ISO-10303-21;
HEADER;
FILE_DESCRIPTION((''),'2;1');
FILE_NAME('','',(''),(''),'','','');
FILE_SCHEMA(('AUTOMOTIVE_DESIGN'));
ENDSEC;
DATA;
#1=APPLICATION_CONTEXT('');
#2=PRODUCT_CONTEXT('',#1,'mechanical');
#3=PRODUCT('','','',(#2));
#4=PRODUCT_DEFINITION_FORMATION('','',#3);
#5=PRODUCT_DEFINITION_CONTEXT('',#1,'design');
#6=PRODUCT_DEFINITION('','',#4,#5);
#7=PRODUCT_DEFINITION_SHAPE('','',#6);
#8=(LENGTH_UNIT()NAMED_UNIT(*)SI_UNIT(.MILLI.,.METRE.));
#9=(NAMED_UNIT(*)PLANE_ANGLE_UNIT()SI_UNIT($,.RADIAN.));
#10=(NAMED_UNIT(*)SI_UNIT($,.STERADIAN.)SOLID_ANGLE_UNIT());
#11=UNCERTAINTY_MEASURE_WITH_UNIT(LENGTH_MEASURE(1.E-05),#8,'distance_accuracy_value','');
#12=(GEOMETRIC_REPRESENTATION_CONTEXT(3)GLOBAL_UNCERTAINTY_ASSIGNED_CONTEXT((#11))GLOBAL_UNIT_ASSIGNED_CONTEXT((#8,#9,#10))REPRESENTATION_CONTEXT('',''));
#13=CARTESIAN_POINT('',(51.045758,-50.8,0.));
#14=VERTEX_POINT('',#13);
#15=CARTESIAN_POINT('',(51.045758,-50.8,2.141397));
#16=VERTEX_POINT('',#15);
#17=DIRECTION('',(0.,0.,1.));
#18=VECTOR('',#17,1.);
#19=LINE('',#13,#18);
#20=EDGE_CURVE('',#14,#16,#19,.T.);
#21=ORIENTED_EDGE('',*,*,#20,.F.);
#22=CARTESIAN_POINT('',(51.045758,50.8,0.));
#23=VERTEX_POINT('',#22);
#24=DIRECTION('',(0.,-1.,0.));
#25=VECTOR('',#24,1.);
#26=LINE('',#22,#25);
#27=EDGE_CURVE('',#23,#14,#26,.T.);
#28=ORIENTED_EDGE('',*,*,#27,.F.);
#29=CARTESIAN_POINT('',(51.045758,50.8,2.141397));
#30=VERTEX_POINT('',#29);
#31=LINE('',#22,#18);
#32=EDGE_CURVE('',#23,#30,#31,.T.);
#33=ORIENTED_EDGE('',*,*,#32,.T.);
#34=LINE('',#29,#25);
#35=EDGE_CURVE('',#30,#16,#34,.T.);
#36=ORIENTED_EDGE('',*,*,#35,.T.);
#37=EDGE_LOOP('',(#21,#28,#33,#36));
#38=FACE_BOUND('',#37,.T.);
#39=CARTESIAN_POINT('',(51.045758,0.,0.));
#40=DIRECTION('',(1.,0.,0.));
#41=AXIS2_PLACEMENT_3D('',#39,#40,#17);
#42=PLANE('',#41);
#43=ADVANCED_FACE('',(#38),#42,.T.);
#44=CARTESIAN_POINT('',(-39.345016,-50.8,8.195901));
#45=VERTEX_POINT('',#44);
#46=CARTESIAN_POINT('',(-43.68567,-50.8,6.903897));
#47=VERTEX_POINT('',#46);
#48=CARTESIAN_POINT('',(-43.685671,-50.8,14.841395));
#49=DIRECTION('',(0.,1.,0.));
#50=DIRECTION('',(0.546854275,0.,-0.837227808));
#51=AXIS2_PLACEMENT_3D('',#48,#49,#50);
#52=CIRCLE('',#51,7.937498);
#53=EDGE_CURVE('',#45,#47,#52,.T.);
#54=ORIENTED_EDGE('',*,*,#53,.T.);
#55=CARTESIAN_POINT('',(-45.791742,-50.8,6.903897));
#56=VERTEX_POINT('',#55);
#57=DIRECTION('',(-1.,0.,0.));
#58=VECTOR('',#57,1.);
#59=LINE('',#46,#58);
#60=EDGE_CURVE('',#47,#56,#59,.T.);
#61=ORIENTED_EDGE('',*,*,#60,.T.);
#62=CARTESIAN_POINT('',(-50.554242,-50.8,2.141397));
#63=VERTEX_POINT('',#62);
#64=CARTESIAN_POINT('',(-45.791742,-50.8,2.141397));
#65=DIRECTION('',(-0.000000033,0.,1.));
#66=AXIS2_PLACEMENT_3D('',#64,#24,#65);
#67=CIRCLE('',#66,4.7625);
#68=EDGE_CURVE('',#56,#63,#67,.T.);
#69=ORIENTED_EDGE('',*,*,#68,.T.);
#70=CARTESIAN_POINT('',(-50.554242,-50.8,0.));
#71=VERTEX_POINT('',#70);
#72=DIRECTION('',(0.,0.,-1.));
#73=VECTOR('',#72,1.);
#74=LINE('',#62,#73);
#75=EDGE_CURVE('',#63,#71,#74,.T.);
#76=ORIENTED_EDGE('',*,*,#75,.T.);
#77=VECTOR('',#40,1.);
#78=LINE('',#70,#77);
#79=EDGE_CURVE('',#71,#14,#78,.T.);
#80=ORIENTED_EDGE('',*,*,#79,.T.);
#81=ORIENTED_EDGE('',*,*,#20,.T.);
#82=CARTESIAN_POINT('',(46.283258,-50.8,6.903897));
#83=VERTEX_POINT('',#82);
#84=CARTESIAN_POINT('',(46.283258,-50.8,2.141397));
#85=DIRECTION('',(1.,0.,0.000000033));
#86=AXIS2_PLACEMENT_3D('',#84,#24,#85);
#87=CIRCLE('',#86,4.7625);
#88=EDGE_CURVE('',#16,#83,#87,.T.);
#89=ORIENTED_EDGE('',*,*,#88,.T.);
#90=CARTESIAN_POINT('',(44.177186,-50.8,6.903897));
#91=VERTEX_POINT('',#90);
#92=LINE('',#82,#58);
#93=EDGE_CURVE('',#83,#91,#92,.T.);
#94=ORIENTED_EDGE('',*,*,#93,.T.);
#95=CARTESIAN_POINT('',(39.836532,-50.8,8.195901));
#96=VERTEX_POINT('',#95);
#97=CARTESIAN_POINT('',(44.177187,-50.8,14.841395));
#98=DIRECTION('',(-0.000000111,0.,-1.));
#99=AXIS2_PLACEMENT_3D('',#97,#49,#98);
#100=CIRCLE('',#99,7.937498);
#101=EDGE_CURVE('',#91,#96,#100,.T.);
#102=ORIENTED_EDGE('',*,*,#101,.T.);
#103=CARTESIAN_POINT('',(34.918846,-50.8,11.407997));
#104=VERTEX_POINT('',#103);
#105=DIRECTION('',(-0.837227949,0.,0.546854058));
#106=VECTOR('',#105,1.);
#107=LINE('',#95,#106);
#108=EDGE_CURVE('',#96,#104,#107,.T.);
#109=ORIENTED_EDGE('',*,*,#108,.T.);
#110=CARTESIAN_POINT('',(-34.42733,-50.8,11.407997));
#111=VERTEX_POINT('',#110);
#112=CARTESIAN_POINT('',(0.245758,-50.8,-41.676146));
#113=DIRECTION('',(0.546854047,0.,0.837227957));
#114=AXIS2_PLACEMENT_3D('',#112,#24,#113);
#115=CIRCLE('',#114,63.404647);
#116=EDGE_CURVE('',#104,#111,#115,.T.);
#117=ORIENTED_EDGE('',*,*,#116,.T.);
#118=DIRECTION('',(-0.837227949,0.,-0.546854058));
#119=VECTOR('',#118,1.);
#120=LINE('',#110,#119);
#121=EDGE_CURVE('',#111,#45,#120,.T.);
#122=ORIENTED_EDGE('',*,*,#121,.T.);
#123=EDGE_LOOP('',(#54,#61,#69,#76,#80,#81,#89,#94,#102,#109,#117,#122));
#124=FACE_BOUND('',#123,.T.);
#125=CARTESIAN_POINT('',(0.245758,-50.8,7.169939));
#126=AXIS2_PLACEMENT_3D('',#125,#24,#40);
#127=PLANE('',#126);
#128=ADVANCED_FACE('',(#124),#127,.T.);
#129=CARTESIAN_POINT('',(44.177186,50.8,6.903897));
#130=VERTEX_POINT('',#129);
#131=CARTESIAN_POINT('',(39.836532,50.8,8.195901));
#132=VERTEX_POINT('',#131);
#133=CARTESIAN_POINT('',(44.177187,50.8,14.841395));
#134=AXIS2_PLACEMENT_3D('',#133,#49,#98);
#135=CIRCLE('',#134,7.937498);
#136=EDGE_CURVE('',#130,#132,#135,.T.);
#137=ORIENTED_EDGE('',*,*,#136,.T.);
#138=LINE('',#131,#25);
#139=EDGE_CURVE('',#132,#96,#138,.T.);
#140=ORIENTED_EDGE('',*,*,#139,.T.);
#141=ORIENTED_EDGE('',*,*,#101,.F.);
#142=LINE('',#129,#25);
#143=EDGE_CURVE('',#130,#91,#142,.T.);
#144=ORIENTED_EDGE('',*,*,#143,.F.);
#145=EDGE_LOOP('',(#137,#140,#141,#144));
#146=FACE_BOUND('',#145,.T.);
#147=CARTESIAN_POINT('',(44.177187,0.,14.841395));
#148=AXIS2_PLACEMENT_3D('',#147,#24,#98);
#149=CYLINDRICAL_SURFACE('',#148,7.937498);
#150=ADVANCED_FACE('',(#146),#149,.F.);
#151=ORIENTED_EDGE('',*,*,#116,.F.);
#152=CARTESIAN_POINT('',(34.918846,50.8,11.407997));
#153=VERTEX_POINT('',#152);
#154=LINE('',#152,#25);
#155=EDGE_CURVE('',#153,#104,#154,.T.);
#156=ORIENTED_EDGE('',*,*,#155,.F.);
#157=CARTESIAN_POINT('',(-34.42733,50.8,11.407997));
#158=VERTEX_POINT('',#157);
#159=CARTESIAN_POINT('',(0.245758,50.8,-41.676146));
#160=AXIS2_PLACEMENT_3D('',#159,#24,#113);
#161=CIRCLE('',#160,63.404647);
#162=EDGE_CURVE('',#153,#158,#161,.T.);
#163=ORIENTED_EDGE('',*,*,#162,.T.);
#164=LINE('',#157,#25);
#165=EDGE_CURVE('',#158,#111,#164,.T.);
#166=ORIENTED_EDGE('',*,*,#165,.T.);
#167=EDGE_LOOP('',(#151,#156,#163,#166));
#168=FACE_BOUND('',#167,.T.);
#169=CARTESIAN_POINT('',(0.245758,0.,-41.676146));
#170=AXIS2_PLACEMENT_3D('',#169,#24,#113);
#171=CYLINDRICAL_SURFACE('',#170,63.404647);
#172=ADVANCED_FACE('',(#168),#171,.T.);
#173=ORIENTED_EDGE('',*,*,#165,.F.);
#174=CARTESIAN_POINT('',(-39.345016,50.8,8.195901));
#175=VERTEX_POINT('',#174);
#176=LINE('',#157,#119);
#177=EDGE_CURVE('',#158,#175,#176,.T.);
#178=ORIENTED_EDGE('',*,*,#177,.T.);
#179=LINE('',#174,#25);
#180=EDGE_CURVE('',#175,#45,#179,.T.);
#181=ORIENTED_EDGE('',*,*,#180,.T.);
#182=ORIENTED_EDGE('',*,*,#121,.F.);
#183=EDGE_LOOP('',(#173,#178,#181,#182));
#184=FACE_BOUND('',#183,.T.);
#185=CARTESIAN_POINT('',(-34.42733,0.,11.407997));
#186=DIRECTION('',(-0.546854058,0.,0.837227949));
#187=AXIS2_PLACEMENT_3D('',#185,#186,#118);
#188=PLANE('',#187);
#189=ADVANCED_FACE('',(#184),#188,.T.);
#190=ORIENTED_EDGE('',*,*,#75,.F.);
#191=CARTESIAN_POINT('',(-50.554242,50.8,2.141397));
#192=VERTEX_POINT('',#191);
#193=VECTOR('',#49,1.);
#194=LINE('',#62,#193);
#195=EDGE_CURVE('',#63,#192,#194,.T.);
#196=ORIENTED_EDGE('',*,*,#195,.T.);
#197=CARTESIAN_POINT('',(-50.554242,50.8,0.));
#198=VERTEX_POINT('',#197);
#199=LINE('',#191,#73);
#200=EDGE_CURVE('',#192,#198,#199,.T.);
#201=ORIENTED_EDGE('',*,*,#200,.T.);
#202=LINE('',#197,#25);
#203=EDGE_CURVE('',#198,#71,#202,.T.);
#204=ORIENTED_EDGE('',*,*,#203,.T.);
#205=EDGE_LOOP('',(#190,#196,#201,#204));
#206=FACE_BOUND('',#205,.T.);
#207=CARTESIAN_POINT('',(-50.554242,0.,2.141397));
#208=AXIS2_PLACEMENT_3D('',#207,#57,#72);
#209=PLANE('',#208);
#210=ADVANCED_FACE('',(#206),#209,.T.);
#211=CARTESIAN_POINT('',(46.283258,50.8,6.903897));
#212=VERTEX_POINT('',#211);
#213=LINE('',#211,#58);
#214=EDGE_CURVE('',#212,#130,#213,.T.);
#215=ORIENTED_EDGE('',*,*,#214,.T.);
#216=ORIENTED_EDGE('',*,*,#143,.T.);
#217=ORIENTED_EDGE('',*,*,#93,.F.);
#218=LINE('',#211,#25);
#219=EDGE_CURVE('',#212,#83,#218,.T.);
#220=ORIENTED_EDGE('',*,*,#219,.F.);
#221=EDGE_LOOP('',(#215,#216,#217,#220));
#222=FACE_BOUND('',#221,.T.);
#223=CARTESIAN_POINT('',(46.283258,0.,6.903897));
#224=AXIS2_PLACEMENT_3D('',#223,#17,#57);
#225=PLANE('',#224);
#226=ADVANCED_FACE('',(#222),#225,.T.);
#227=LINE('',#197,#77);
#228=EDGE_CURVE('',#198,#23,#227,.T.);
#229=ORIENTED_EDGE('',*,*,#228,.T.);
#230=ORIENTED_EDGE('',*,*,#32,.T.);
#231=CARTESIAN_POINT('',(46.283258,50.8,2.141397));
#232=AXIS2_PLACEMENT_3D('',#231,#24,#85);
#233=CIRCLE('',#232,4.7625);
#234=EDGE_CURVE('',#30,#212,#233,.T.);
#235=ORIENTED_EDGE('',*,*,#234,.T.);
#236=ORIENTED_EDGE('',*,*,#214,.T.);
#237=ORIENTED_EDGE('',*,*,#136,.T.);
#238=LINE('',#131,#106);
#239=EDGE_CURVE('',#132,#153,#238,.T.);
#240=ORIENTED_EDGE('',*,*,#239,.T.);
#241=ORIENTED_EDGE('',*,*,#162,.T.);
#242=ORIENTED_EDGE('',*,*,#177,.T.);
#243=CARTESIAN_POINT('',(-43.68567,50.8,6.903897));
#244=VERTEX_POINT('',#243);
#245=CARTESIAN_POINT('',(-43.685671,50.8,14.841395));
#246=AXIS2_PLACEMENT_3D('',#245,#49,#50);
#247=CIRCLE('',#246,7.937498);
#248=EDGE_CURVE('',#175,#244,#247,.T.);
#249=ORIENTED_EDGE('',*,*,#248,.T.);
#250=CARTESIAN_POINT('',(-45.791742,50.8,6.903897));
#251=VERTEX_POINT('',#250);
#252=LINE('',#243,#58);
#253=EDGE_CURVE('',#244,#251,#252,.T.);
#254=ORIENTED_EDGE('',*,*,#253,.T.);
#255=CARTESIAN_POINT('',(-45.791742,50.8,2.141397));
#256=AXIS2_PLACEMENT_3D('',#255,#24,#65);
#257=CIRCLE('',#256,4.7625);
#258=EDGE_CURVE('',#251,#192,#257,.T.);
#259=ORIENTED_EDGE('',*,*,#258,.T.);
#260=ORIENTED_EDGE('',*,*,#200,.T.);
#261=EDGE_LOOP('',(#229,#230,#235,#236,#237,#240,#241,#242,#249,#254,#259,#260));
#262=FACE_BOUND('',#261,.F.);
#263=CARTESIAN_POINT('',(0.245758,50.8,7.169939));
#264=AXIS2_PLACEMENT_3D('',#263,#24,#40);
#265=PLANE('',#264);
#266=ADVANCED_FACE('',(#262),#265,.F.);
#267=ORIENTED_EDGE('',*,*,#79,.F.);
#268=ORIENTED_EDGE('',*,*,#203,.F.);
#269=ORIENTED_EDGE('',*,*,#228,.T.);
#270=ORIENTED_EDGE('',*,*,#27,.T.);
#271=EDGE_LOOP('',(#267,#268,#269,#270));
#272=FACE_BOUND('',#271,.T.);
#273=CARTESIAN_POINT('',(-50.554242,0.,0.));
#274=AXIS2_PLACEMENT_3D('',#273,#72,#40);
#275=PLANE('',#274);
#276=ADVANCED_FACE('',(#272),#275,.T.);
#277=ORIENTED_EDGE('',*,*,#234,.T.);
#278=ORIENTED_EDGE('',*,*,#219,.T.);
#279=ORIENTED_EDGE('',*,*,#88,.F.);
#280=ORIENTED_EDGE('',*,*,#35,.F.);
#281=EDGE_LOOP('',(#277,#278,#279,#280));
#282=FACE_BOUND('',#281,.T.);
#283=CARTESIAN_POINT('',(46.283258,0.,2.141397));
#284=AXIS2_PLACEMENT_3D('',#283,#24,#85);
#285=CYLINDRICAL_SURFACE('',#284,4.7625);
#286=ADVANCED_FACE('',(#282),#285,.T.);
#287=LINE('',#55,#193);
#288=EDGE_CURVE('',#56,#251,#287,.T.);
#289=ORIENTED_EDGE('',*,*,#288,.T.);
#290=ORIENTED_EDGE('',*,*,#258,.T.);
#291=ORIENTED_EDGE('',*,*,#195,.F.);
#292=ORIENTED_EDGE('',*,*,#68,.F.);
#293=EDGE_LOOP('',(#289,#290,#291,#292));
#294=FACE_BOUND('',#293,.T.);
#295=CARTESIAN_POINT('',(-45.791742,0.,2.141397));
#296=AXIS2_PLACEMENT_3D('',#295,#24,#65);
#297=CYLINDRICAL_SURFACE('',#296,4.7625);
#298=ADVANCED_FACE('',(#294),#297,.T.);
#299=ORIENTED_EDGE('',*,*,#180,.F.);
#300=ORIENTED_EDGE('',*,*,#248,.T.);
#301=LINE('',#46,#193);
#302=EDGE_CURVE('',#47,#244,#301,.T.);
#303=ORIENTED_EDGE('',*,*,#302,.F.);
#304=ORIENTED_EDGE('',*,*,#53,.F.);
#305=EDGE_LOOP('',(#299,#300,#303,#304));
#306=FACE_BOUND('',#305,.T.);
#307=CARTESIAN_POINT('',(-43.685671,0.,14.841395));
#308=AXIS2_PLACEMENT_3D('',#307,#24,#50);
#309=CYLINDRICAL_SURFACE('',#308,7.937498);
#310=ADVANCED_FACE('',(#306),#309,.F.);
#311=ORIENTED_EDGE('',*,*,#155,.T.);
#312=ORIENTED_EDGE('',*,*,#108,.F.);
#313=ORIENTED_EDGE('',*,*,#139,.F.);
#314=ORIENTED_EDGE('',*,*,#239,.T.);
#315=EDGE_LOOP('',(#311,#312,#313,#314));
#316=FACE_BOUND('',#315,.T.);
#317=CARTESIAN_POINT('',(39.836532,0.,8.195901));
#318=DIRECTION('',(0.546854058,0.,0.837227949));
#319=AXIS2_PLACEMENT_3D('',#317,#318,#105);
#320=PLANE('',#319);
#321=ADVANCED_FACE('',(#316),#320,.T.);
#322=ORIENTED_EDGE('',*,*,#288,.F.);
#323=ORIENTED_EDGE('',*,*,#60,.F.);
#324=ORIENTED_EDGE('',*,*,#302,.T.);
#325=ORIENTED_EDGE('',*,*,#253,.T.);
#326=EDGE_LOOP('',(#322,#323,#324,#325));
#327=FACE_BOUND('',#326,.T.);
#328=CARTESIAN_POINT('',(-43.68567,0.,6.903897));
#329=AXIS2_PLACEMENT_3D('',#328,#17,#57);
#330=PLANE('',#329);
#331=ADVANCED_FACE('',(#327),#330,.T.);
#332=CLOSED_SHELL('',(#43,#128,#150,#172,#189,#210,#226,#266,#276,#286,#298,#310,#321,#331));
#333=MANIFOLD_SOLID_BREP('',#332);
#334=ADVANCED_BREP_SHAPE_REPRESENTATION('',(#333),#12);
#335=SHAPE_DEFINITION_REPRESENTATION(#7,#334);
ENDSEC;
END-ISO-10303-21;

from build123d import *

# Parameters (mm, degrees)
F1_DEPTH      = 50.8
F1_DEPTH_BACK = 50.8


with BuildPart() as f1:
    # F0 (on Front) → F1 (new body, two sides)
    with BuildSketch(Plane.XZ) as f1_sk:
        with BuildLine():
            Line((-50.554242, 2.141397), (-50.554242, 0))
            Line((-50.554242, 0), (51.045758, 0))
            Line((51.045758, 0), (51.045758, 2.141397))
            ThreePointArc((51.045758, 2.141397), (49.650854, 5.508993), (46.283258, 6.903897))
            Line((46.283258, 6.903897), (44.177186, 6.903897))
            ThreePointArc((44.177186, 6.903897), (41.912757, 7.233752), (39.836532, 8.195901))
            Line((39.836532, 8.195901), (34.918846, 11.407997))
            ThreePointArc((34.918846, 11.407997), (0.245758, 21.728501), (-34.42733, 11.407997))
            Line((-34.42733, 11.407997), (-39.345016, 8.195901))
            ThreePointArc((-39.345016, 8.195901), (-41.421241, 7.233752), (-43.68567, 6.903897))
            Line((-43.68567, 6.903897), (-45.791742, 6.903897))
            ThreePointArc((-45.791742, 6.903897), (-49.159338, 5.508993), (-50.554242, 2.141397))
        make_face()
    extrude(amount=F1_DEPTH)
    extrude(f1_sk.sketch, amount=-F1_DEPTH_BACK)


solid = f1.part
